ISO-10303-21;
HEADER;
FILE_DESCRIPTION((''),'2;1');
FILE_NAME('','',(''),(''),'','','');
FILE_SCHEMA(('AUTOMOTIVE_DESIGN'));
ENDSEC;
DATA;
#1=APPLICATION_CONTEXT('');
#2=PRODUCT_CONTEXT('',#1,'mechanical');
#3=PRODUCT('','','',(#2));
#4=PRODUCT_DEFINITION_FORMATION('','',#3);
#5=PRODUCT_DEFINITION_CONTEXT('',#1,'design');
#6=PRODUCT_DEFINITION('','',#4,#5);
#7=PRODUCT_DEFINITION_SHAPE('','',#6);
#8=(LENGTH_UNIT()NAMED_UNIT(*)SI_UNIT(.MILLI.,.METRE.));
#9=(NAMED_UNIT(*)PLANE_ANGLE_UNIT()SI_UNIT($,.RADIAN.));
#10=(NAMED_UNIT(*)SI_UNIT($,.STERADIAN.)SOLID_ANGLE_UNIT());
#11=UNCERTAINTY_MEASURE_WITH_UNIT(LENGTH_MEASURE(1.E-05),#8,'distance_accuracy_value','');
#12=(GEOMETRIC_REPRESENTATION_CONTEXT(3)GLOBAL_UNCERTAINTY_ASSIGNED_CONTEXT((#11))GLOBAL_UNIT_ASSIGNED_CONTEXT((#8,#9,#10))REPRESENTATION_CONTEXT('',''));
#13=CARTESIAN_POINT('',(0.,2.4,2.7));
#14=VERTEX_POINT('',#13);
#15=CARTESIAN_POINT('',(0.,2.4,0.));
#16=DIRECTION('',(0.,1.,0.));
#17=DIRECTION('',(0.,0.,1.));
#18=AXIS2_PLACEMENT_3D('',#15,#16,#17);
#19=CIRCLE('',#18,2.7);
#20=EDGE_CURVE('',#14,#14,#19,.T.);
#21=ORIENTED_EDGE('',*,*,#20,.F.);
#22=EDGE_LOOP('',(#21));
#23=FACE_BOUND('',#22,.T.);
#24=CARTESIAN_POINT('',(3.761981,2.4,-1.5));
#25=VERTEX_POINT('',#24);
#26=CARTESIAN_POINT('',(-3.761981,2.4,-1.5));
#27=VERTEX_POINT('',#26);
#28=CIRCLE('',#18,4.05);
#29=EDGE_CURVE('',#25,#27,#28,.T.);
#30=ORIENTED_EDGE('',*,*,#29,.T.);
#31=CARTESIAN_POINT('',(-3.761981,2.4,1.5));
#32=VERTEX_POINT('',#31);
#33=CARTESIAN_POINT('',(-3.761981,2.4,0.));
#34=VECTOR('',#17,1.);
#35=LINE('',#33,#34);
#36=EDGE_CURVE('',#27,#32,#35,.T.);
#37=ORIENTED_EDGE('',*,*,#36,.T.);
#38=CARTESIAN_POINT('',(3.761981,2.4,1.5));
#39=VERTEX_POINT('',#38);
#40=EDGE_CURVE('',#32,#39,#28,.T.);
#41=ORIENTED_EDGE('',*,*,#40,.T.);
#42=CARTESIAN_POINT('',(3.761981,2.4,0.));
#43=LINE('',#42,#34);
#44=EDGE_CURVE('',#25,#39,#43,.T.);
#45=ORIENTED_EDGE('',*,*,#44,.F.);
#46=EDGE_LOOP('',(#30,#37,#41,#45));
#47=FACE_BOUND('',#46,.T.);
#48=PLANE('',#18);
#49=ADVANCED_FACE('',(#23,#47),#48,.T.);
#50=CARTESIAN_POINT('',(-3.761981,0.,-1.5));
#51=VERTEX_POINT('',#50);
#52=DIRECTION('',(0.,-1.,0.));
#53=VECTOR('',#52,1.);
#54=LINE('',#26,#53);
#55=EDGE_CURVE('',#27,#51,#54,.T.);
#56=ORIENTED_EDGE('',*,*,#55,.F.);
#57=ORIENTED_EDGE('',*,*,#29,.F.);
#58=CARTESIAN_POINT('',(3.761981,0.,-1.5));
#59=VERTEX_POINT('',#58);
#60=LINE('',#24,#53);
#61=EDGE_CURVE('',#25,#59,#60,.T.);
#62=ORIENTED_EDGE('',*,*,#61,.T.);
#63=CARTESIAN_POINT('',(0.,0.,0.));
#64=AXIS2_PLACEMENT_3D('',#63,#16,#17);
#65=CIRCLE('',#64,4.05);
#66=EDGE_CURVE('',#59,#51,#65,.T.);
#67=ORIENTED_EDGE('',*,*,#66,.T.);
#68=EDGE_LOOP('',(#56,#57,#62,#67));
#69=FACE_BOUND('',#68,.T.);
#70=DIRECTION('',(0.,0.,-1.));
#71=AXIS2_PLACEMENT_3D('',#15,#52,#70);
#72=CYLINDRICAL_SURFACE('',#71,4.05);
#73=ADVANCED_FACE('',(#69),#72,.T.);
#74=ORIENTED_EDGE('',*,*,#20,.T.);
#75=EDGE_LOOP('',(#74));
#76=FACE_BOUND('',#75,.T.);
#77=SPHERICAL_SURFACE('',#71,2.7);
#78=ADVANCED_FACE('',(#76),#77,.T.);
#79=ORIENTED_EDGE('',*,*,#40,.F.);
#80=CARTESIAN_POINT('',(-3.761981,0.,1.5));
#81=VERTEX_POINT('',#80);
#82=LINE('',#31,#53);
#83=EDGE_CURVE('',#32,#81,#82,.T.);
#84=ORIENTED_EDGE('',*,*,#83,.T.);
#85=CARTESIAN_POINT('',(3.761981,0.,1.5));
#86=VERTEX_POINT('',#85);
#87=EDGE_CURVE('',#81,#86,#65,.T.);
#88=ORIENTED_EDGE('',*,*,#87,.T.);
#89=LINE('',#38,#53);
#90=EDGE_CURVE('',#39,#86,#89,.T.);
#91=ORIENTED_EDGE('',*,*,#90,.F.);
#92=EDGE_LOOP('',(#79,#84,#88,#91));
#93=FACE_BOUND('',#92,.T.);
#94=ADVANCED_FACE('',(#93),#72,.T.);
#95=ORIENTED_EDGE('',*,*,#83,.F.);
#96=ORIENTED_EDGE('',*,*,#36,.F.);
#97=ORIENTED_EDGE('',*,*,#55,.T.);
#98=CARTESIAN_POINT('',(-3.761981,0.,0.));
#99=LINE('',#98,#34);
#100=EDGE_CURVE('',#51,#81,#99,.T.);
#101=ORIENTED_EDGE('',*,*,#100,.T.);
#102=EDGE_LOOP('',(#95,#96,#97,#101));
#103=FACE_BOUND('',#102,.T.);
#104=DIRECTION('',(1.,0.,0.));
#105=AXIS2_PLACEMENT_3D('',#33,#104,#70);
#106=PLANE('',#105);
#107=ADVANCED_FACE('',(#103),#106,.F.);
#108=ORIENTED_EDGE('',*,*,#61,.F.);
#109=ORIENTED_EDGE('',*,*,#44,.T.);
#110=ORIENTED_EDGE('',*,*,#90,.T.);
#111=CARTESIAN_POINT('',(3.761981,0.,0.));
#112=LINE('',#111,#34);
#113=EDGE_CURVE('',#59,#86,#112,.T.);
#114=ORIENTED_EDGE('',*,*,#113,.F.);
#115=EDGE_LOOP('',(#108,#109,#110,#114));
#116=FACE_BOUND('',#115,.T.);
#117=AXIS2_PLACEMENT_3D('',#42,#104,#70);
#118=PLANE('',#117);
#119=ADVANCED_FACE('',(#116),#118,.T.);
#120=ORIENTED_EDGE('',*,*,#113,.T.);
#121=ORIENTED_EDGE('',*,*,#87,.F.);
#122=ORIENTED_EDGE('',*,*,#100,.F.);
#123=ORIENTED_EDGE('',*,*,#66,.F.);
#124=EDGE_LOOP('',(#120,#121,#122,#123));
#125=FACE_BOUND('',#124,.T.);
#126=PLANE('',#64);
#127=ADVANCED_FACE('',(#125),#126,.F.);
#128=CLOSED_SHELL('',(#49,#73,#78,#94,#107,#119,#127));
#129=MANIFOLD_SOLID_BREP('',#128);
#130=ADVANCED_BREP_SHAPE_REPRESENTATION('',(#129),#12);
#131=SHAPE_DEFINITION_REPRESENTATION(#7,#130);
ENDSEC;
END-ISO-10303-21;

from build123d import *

# Parameters (mm, degrees)
BOSS_EXTRUDE1_DEPTH = 2.4


with BuildPart() as part:
    # Sketch1 → Boss-Extrude1 (new body)
    with BuildSketch(Plane(origin=(0, 0, 0), x_dir=(1, 0, 0), z_dir=(0, 1, 0))):
        with BuildLine():
            Line((3.761980861, -1.5), (3.761980861, 1.5))
            ThreePointArc((3.761980861, 1.5), (0, 4.05), (-3.761980861, 1.5))
            Line((-3.761980861, 1.5), (-3.761980861, -1.5))
            ThreePointArc((-3.761980861, -1.5), (0, -4.05), (3.761980861, -1.5))
        make_face()
    extrude(amount=BOSS_EXTRUDE1_DEPTH)

    # Sketch3 → Revolve1 (revolve)
    with BuildSketch(Plane(origin=(0, 0, 0), x_dir=(0, 0, -1), z_dir=(1, 0, 0))):
        with BuildLine():
            Line((0, 2.4), (0, 5.1))
            ThreePointArc((0, 5.1), (1.909188309, 4.309188309), (2.7, 2.4))
            Line((2.7, 2.4), (0, 2.4))
        make_face()
    revolve(axis=Axis((0, 2.4, 0), (0, 1, 0)))


solid = part.part
